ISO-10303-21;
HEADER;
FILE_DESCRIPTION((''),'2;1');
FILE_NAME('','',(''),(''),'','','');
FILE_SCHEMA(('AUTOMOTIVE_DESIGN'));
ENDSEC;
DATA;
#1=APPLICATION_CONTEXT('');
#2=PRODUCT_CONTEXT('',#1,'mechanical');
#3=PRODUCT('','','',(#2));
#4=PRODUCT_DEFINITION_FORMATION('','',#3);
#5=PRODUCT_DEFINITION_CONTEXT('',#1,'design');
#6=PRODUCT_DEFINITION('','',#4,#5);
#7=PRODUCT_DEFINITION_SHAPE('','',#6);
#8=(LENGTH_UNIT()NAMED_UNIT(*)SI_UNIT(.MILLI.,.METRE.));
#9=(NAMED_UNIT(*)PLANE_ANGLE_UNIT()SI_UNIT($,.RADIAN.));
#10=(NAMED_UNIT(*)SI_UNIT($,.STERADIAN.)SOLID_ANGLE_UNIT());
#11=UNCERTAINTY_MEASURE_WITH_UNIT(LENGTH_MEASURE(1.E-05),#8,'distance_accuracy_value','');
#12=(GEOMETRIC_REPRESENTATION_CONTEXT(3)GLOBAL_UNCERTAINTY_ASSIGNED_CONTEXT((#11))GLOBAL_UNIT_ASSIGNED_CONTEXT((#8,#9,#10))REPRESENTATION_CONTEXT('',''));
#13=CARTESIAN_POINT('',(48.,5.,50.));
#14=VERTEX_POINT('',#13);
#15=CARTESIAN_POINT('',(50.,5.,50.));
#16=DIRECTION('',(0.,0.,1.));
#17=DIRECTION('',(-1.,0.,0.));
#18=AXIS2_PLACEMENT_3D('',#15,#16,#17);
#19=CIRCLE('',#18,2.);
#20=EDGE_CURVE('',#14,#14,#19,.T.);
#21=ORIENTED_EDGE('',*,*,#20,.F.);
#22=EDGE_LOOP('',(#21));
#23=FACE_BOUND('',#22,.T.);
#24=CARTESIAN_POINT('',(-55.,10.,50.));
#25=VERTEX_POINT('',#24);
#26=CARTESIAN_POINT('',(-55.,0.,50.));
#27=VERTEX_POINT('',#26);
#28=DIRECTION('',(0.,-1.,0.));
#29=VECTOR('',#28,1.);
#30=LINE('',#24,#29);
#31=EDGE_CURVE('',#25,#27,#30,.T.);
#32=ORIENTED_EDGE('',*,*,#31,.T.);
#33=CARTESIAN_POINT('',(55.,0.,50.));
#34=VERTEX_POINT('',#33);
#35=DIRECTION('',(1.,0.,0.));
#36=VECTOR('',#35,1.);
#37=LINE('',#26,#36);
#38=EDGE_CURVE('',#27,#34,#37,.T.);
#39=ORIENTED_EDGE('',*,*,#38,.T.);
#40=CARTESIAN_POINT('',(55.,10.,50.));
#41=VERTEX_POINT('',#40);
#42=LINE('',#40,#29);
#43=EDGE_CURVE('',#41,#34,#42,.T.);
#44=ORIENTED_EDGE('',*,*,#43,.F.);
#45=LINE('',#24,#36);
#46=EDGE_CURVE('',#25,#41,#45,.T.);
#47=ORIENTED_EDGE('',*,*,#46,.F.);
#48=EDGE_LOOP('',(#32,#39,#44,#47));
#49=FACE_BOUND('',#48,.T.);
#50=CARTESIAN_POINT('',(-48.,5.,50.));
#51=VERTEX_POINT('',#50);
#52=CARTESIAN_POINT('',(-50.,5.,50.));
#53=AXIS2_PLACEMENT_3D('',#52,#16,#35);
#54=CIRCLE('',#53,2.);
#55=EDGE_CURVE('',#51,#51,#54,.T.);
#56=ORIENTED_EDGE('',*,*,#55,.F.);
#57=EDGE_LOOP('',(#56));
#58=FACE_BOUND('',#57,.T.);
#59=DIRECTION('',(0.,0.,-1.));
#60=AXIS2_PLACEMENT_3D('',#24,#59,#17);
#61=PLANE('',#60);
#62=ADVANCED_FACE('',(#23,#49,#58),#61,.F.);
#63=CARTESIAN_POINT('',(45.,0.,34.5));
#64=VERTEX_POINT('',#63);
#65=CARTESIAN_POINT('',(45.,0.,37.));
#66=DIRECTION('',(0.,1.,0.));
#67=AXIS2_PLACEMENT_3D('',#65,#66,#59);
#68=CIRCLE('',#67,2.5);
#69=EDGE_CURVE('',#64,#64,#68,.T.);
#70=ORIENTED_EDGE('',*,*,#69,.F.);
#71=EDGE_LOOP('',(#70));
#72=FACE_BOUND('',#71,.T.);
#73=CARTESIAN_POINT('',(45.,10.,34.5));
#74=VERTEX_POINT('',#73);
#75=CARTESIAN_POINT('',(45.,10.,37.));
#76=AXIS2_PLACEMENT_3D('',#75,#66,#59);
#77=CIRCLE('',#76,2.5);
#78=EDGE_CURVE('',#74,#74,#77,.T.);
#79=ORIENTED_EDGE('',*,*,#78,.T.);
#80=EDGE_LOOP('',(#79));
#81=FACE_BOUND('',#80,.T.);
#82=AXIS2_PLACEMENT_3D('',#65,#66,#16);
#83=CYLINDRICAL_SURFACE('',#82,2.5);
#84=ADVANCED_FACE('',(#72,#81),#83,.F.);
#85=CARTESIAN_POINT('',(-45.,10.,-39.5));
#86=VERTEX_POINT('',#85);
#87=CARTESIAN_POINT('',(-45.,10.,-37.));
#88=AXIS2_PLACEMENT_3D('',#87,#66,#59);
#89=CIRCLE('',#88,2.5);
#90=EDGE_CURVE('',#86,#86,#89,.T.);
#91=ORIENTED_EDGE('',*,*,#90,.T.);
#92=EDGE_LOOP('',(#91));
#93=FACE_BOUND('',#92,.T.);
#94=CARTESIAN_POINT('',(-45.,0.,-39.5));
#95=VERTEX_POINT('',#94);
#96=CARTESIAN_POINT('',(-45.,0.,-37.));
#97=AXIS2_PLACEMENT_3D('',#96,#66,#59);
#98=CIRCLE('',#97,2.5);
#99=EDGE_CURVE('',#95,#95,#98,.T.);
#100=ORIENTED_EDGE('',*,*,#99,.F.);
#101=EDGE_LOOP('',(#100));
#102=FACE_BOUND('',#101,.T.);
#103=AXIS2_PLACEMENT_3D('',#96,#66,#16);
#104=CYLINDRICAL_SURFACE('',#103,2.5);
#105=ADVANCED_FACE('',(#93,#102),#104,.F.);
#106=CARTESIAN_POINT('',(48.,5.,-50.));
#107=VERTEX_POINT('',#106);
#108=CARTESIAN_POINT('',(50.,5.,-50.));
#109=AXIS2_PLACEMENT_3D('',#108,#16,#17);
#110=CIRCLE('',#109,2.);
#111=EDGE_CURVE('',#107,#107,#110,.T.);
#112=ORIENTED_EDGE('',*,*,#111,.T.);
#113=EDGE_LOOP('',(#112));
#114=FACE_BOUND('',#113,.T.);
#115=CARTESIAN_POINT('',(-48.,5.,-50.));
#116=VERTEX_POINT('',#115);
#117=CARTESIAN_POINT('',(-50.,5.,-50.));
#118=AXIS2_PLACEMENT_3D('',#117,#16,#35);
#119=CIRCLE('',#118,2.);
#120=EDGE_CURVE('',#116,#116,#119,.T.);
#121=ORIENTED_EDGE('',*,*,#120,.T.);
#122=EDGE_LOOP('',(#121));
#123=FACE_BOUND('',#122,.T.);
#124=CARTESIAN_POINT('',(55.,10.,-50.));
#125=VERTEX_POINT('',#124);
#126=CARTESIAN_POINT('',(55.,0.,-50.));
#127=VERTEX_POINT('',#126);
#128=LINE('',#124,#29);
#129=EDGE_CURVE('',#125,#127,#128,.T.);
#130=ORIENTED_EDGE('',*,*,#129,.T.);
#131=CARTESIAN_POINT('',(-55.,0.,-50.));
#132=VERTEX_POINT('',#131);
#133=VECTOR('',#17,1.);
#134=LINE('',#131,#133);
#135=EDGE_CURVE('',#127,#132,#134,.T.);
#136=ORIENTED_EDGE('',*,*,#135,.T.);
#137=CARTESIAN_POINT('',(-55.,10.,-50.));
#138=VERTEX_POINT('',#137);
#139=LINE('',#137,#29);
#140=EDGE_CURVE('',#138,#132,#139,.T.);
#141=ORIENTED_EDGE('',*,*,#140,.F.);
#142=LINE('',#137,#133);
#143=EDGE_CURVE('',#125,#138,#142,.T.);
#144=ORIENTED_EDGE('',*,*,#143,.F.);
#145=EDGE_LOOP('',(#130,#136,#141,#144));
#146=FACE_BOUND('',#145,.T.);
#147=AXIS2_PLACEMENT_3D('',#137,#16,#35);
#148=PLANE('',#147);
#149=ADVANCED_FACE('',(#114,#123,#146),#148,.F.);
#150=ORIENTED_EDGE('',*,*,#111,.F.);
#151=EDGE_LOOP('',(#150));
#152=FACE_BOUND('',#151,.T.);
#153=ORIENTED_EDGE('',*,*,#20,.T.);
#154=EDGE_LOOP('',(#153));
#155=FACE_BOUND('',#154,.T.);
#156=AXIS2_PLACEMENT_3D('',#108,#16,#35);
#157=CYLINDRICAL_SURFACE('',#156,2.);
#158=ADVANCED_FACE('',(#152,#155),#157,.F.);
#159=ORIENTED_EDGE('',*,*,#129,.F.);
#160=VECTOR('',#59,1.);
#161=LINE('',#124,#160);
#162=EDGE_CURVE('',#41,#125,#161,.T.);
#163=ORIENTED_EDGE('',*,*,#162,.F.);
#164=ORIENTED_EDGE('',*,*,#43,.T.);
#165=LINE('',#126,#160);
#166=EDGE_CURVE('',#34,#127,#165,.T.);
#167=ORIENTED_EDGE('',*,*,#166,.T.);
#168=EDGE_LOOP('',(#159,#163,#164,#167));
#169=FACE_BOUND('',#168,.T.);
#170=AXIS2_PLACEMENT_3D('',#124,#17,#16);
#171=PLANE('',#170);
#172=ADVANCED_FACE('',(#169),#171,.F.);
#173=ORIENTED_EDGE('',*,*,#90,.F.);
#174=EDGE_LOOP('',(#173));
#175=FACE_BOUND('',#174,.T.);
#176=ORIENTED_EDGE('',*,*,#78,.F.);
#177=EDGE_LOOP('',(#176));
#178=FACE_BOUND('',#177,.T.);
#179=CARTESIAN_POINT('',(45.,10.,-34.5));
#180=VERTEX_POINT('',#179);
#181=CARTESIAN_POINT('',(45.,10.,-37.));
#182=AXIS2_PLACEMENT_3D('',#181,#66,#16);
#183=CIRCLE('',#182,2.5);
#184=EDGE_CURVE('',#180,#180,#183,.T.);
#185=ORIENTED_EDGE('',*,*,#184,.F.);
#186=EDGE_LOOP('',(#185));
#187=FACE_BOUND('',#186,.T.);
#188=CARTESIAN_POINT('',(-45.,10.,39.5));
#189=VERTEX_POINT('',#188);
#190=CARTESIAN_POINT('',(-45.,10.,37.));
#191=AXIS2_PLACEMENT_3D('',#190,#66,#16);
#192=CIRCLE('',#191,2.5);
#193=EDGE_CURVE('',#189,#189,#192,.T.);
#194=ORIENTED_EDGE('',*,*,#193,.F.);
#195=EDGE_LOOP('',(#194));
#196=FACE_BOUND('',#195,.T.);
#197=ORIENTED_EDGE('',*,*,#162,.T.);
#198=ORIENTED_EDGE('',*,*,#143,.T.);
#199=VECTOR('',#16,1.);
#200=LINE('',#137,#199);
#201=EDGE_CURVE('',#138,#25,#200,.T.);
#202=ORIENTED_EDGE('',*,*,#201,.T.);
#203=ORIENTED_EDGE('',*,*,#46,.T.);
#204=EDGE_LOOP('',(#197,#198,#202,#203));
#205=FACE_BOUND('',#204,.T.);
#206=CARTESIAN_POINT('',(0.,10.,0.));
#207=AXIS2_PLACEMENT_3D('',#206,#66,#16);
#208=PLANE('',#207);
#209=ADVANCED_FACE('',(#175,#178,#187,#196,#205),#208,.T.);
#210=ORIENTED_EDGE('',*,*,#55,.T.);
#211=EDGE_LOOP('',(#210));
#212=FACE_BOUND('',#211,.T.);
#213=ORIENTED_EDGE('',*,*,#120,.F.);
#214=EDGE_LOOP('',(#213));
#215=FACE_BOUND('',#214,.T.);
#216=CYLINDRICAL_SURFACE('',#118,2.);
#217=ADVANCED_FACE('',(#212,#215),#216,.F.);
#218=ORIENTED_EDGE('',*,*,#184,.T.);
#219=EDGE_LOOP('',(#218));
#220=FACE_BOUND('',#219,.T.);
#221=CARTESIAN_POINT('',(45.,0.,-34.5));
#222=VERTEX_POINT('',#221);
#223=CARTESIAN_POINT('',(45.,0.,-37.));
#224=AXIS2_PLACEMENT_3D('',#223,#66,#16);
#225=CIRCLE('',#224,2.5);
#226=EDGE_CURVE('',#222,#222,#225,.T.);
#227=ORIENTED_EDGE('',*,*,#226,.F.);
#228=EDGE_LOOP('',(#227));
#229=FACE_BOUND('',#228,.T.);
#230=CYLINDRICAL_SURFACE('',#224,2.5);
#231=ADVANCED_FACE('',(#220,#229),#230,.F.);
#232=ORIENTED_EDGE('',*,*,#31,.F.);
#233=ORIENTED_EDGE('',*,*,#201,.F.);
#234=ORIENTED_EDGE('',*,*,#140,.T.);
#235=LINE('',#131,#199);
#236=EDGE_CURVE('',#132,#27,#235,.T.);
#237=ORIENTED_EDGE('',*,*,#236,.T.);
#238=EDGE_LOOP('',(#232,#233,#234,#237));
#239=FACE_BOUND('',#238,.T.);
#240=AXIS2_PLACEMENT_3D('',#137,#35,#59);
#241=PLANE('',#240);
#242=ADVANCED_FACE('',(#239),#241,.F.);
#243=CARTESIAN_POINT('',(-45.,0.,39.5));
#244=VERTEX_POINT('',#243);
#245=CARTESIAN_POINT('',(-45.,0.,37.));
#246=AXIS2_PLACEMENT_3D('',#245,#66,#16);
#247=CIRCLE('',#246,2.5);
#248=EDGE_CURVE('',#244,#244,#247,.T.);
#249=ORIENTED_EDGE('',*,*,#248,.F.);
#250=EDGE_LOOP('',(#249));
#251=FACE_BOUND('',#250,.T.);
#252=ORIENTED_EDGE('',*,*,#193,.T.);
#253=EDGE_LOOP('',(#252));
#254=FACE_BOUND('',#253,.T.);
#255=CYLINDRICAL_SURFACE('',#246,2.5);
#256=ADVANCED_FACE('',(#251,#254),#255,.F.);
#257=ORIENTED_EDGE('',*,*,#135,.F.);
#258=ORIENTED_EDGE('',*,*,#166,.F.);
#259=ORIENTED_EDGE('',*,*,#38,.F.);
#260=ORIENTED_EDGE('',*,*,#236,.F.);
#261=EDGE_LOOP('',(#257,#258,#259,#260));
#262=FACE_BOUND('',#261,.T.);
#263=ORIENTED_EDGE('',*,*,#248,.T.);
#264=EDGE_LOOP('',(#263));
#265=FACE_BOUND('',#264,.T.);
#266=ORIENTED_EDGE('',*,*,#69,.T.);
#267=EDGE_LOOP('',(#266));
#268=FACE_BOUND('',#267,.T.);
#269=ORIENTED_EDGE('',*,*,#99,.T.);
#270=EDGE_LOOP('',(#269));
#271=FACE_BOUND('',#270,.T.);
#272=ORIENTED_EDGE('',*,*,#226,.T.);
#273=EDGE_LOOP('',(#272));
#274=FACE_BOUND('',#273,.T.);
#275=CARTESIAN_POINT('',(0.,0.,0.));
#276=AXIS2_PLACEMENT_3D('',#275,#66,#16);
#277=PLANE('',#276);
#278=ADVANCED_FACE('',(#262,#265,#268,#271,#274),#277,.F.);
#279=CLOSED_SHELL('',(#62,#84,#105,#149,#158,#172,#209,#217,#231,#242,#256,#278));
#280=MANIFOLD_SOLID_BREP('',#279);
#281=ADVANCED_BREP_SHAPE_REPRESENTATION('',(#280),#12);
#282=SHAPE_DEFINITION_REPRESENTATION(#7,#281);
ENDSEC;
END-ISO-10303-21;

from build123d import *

# Parameters (mm, degrees)
SKETCH1_W           = 110
SKETCH1_H           = 100
BOSS_EXTRUDE1_DEPTH = 10
SKETCH2_R           = 2
CUT_EXTRUDE1_DEPTH  = 115.564392374
SKETCH3_R           = 2.5
CUT_EXTRUDE2_DEPTH  = 10


with BuildPart() as part:
    # Sketch1 → Boss-Extrude1 (new body)
    with BuildSketch(Plane(origin=(0, 0, 0), x_dir=(1, 0, 0), z_dir=(0, 1, 0))):
        Rectangle(SKETCH1_W, SKETCH1_H)
    extrude(amount=BOSS_EXTRUDE1_DEPTH)

    # Sketch2 → Cut-Extrude1 (cut, through all)
    with BuildSketch(Plane.XY.offset(50)):
        with Locations((-50, 5)):
            Circle(SKETCH2_R)
        with Locations(Location((50, 5, 0), (0, 0, 180))):
            Circle(SKETCH2_R)
    extrude(amount=-CUT_EXTRUDE1_DEPTH, mode=Mode.SUBTRACT)

    # Sketch3 → Cut-Extrude2 (cut)
    with BuildSketch(Plane(origin=(0, 10, 0), x_dir=(1, 0, 0), z_dir=(0, 1, 0))):
        with Locations(Location((-45, -37, 0), (0, 0, 270))):
            Circle(SKETCH3_R)
        with Locations(Location((45, -37, 0), (0, 0, 90))):
            Circle(SKETCH3_R)
        with Locations(Location((45, 37, 0), (0, 0, 270))):
            Circle(SKETCH3_R)
        with Locations(Location((-45, 37, 0), (0, 0, 90))):
            Circle(SKETCH3_R)
    extrude(amount=-CUT_EXTRUDE2_DEPTH, mode=Mode.SUBTRACT)


solid = part.part
